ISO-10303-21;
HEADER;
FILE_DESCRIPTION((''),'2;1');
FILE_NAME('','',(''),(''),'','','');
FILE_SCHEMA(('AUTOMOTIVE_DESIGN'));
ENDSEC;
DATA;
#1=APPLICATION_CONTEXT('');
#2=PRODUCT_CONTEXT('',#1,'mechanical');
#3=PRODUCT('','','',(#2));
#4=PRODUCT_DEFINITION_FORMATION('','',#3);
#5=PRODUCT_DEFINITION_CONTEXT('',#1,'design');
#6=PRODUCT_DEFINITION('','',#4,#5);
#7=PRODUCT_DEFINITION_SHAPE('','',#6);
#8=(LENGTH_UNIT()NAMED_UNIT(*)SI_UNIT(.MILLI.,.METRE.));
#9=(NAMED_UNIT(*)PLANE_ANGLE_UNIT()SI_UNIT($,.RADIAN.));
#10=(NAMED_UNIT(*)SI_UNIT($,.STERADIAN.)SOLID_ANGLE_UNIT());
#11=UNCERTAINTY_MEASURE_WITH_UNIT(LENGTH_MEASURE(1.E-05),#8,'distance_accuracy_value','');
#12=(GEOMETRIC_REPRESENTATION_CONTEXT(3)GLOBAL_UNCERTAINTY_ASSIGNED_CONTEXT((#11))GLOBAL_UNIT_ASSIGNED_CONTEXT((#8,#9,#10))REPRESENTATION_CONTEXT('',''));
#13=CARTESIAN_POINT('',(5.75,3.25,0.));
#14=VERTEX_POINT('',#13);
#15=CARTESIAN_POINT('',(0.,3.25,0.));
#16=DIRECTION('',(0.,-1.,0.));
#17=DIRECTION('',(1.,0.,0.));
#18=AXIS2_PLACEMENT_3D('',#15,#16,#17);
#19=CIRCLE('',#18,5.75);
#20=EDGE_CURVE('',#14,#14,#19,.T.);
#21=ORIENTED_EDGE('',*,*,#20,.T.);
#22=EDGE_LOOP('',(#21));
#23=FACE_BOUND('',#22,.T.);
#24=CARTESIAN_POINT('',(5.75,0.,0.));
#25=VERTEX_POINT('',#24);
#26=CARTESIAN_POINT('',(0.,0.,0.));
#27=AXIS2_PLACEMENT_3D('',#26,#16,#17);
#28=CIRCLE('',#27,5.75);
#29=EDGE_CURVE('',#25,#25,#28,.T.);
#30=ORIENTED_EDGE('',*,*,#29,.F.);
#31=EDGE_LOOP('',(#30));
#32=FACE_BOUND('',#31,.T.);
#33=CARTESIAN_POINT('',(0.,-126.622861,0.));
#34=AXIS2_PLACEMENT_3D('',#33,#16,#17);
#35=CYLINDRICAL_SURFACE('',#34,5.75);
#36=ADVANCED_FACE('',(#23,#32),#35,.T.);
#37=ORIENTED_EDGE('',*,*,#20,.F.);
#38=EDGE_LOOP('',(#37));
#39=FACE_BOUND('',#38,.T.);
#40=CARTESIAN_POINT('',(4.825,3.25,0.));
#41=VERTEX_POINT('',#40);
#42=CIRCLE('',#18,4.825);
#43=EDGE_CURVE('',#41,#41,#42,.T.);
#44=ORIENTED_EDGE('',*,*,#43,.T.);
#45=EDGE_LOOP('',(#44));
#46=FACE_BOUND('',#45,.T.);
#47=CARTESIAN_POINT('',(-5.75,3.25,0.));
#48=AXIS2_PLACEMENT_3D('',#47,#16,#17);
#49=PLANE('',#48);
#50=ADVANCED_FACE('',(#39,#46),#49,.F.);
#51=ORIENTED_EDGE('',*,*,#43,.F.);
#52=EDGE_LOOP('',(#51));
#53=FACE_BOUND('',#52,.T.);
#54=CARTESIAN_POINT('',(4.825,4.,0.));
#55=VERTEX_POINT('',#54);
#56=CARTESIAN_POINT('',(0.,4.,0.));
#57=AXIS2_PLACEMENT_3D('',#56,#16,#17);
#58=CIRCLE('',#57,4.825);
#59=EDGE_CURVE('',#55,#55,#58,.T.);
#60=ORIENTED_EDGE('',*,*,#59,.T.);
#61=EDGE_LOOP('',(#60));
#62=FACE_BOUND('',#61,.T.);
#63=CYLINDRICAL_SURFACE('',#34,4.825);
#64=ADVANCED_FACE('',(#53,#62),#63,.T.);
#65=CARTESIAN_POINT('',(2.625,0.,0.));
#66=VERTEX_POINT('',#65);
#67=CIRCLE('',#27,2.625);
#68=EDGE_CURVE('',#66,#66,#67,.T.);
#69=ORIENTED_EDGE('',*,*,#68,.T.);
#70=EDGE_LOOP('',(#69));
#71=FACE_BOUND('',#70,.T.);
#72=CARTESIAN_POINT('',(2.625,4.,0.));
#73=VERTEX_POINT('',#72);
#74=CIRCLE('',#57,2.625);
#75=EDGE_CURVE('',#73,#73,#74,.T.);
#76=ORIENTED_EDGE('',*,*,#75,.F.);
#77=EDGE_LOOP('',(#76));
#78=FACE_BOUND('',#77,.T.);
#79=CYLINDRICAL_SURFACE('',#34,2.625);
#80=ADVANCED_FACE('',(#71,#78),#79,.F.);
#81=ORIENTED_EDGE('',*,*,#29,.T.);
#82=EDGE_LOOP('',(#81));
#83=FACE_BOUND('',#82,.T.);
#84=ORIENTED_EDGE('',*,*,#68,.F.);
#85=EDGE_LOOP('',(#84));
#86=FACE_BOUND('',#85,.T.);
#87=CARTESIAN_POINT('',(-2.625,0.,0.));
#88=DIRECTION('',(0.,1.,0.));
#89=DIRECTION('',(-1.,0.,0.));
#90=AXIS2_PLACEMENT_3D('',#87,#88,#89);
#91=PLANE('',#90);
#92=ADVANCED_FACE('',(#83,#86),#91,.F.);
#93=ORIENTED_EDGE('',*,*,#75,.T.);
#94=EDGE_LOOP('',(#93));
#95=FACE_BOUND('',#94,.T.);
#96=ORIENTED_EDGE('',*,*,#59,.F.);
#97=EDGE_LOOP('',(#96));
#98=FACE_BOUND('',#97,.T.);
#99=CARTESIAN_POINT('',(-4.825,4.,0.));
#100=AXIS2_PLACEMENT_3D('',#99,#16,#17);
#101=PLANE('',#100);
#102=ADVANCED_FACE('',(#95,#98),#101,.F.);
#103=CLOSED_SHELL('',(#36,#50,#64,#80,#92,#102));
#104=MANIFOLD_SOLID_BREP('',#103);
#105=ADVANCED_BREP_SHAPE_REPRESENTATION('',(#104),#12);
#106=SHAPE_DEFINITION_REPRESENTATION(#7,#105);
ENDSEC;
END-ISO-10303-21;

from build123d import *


with BuildPart() as part:
    # Sketch1 → Revolve1 (revolve)
    with BuildSketch(Plane.XY, mode=Mode.PRIVATE) as revolve1_sk:
        Polygon((-2.625, 0), (-5.75, 0), (-5.75, 3.25), (-4.825, 3.25), (-4.825, 4), (-2.625, 4), align=None)
    revolve(revolve1_sk.sketch.rotate(Axis((0, -126.622860864, 0), (0, 1, 0)), 180), axis=Axis((0, -126.622860864, 0), (0, 1, 0)))


solid = part.part
